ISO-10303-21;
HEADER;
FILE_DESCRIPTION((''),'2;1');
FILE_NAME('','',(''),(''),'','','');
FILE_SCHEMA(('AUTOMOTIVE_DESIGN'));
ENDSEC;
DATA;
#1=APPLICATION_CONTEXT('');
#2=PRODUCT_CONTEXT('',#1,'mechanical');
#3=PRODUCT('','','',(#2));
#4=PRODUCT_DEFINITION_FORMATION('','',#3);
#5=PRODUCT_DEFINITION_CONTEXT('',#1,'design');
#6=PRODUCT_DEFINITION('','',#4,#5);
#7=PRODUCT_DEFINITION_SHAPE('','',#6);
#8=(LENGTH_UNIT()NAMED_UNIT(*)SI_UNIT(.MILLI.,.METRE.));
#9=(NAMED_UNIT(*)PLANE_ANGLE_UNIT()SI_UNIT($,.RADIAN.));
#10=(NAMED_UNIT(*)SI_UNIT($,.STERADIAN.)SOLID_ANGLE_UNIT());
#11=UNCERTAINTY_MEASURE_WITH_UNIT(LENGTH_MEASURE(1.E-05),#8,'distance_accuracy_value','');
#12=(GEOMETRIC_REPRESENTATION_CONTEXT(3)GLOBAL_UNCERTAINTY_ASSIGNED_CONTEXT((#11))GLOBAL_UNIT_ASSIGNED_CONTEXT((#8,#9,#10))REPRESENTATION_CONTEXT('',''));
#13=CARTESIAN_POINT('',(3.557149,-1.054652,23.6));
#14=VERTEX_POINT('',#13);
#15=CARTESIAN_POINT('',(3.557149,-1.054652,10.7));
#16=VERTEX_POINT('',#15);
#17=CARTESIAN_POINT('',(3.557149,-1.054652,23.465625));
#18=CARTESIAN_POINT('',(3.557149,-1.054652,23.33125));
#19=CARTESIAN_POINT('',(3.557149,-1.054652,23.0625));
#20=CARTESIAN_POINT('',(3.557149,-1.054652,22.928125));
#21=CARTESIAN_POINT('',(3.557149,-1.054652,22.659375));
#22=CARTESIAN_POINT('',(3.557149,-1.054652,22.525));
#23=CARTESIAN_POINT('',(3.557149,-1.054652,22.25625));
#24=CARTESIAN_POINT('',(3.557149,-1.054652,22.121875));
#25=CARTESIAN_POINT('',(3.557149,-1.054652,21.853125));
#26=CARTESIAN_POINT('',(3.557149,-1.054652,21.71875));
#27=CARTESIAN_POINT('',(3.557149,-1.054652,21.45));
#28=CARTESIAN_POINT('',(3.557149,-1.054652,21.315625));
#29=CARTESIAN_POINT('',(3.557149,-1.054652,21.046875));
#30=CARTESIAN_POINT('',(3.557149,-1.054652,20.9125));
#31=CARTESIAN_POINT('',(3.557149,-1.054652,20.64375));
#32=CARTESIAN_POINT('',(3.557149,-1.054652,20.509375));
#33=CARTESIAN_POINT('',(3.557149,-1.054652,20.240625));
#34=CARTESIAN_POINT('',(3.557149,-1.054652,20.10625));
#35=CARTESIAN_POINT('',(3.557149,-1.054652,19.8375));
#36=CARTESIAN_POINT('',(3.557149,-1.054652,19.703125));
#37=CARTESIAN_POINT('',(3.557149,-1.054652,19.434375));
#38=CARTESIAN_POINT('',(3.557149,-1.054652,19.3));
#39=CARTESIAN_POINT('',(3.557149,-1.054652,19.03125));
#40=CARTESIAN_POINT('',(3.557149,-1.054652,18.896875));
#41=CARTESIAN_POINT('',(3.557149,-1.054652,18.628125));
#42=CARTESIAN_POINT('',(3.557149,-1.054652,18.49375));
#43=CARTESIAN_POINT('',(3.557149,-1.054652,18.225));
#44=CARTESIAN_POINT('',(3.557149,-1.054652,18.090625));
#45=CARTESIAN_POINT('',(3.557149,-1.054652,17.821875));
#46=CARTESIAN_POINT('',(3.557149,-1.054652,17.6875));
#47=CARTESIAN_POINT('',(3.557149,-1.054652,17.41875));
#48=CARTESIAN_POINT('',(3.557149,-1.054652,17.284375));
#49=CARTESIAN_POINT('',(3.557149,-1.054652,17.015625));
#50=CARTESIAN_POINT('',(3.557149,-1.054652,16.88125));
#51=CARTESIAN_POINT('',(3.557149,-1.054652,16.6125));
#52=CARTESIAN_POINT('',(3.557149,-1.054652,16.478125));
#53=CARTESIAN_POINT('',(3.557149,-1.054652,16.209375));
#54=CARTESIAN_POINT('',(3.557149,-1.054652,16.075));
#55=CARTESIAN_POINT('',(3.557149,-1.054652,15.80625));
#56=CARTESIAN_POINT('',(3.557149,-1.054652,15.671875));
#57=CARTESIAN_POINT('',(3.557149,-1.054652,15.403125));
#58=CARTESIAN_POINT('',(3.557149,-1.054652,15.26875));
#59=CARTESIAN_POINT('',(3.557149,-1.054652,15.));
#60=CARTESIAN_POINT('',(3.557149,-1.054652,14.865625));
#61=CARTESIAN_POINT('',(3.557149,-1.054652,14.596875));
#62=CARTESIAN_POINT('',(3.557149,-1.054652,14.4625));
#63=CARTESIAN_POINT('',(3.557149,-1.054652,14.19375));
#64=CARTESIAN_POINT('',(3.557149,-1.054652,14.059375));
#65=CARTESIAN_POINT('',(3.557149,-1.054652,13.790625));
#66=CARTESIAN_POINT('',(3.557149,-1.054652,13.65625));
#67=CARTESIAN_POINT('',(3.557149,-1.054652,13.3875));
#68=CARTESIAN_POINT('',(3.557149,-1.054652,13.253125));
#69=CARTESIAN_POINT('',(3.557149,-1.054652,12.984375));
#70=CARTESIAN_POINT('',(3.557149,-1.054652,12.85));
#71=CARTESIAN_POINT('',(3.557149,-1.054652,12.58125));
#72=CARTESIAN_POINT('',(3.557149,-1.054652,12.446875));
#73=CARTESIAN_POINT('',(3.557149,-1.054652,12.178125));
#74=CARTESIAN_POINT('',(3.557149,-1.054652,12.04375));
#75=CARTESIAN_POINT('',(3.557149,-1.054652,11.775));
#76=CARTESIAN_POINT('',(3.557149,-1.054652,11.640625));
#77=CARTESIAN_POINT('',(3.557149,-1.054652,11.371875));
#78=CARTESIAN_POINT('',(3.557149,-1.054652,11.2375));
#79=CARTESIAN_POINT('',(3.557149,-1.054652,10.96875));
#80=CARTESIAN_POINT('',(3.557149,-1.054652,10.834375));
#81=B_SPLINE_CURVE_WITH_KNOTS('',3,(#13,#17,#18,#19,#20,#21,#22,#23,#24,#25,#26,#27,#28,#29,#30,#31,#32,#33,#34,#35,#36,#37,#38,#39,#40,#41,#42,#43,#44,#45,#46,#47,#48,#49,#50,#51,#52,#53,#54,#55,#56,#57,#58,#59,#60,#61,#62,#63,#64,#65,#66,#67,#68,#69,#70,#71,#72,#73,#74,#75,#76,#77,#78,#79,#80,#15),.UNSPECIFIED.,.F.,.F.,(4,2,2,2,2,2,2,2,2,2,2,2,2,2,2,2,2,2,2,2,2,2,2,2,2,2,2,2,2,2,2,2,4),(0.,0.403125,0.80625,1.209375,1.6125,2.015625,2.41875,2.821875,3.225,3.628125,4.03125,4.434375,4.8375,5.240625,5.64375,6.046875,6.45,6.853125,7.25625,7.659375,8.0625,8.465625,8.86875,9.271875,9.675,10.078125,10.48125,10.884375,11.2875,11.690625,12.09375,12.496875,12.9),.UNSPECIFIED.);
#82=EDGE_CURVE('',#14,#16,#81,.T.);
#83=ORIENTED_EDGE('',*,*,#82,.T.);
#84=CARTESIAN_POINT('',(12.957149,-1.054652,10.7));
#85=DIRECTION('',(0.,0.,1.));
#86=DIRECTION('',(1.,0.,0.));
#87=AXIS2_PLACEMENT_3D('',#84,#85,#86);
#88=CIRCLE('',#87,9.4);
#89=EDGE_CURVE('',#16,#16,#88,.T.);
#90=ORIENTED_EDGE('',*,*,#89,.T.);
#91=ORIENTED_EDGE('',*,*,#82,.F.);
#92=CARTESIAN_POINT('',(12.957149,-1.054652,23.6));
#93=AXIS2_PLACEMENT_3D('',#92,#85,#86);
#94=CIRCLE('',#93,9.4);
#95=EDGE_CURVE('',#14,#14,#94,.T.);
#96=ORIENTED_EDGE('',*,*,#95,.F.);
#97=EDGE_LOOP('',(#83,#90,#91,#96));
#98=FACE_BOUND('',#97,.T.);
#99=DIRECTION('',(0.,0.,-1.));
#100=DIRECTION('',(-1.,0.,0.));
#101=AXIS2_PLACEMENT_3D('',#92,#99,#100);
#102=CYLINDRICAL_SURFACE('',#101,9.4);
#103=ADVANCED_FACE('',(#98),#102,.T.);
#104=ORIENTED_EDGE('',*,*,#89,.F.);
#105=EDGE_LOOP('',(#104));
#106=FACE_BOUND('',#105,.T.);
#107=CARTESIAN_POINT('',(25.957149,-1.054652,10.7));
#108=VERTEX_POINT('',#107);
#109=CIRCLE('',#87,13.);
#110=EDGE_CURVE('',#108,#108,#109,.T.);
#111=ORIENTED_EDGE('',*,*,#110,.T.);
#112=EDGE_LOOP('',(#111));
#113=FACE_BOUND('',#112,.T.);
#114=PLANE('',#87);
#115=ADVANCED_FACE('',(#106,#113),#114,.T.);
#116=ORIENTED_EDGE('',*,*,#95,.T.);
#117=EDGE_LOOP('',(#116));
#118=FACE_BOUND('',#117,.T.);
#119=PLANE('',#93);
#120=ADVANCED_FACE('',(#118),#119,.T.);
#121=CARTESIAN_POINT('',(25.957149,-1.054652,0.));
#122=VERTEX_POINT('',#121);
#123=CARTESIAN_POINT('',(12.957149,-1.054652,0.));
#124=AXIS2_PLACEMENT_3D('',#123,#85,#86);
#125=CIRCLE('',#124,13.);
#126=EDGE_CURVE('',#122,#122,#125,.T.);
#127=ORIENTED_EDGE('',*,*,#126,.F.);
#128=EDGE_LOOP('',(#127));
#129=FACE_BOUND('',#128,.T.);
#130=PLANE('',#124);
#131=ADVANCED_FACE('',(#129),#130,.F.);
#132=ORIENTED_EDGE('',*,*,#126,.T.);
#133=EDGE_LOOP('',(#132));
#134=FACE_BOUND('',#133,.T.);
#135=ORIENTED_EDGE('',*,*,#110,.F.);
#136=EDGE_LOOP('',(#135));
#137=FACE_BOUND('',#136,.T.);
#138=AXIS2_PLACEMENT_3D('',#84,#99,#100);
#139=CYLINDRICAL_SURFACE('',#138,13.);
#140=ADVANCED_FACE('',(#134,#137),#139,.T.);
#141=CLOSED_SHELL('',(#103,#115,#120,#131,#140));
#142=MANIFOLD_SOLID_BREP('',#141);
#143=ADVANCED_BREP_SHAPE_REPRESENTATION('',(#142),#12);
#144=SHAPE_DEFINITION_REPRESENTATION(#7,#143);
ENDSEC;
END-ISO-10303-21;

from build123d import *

# Parameters (mm, degrees)
SKETCH2_R           = 13
BOSS_EXTRUDE1_DEPTH = 10.7
SKETCH3_R           = 9.4
BOSS_EXTRUDE2_DEPTH = 12.9


with BuildPart() as part:
    # Sketch2 → Boss-Extrude1 (new body)
    with BuildSketch(Plane.XY):
        with Locations((12.957148987, -1.054651662)):
            Circle(SKETCH2_R)
    extrude(amount=BOSS_EXTRUDE1_DEPTH)

    # Sketch3 → Boss-Extrude2 (add)
    with BuildSketch(Plane.XY.offset(10.7)):
        with Locations(Location((12.957148987, -1.054651662, 0), (0, 0, 180))):
            Circle(SKETCH3_R)
    extrude(amount=BOSS_EXTRUDE2_DEPTH)


solid = part.part
